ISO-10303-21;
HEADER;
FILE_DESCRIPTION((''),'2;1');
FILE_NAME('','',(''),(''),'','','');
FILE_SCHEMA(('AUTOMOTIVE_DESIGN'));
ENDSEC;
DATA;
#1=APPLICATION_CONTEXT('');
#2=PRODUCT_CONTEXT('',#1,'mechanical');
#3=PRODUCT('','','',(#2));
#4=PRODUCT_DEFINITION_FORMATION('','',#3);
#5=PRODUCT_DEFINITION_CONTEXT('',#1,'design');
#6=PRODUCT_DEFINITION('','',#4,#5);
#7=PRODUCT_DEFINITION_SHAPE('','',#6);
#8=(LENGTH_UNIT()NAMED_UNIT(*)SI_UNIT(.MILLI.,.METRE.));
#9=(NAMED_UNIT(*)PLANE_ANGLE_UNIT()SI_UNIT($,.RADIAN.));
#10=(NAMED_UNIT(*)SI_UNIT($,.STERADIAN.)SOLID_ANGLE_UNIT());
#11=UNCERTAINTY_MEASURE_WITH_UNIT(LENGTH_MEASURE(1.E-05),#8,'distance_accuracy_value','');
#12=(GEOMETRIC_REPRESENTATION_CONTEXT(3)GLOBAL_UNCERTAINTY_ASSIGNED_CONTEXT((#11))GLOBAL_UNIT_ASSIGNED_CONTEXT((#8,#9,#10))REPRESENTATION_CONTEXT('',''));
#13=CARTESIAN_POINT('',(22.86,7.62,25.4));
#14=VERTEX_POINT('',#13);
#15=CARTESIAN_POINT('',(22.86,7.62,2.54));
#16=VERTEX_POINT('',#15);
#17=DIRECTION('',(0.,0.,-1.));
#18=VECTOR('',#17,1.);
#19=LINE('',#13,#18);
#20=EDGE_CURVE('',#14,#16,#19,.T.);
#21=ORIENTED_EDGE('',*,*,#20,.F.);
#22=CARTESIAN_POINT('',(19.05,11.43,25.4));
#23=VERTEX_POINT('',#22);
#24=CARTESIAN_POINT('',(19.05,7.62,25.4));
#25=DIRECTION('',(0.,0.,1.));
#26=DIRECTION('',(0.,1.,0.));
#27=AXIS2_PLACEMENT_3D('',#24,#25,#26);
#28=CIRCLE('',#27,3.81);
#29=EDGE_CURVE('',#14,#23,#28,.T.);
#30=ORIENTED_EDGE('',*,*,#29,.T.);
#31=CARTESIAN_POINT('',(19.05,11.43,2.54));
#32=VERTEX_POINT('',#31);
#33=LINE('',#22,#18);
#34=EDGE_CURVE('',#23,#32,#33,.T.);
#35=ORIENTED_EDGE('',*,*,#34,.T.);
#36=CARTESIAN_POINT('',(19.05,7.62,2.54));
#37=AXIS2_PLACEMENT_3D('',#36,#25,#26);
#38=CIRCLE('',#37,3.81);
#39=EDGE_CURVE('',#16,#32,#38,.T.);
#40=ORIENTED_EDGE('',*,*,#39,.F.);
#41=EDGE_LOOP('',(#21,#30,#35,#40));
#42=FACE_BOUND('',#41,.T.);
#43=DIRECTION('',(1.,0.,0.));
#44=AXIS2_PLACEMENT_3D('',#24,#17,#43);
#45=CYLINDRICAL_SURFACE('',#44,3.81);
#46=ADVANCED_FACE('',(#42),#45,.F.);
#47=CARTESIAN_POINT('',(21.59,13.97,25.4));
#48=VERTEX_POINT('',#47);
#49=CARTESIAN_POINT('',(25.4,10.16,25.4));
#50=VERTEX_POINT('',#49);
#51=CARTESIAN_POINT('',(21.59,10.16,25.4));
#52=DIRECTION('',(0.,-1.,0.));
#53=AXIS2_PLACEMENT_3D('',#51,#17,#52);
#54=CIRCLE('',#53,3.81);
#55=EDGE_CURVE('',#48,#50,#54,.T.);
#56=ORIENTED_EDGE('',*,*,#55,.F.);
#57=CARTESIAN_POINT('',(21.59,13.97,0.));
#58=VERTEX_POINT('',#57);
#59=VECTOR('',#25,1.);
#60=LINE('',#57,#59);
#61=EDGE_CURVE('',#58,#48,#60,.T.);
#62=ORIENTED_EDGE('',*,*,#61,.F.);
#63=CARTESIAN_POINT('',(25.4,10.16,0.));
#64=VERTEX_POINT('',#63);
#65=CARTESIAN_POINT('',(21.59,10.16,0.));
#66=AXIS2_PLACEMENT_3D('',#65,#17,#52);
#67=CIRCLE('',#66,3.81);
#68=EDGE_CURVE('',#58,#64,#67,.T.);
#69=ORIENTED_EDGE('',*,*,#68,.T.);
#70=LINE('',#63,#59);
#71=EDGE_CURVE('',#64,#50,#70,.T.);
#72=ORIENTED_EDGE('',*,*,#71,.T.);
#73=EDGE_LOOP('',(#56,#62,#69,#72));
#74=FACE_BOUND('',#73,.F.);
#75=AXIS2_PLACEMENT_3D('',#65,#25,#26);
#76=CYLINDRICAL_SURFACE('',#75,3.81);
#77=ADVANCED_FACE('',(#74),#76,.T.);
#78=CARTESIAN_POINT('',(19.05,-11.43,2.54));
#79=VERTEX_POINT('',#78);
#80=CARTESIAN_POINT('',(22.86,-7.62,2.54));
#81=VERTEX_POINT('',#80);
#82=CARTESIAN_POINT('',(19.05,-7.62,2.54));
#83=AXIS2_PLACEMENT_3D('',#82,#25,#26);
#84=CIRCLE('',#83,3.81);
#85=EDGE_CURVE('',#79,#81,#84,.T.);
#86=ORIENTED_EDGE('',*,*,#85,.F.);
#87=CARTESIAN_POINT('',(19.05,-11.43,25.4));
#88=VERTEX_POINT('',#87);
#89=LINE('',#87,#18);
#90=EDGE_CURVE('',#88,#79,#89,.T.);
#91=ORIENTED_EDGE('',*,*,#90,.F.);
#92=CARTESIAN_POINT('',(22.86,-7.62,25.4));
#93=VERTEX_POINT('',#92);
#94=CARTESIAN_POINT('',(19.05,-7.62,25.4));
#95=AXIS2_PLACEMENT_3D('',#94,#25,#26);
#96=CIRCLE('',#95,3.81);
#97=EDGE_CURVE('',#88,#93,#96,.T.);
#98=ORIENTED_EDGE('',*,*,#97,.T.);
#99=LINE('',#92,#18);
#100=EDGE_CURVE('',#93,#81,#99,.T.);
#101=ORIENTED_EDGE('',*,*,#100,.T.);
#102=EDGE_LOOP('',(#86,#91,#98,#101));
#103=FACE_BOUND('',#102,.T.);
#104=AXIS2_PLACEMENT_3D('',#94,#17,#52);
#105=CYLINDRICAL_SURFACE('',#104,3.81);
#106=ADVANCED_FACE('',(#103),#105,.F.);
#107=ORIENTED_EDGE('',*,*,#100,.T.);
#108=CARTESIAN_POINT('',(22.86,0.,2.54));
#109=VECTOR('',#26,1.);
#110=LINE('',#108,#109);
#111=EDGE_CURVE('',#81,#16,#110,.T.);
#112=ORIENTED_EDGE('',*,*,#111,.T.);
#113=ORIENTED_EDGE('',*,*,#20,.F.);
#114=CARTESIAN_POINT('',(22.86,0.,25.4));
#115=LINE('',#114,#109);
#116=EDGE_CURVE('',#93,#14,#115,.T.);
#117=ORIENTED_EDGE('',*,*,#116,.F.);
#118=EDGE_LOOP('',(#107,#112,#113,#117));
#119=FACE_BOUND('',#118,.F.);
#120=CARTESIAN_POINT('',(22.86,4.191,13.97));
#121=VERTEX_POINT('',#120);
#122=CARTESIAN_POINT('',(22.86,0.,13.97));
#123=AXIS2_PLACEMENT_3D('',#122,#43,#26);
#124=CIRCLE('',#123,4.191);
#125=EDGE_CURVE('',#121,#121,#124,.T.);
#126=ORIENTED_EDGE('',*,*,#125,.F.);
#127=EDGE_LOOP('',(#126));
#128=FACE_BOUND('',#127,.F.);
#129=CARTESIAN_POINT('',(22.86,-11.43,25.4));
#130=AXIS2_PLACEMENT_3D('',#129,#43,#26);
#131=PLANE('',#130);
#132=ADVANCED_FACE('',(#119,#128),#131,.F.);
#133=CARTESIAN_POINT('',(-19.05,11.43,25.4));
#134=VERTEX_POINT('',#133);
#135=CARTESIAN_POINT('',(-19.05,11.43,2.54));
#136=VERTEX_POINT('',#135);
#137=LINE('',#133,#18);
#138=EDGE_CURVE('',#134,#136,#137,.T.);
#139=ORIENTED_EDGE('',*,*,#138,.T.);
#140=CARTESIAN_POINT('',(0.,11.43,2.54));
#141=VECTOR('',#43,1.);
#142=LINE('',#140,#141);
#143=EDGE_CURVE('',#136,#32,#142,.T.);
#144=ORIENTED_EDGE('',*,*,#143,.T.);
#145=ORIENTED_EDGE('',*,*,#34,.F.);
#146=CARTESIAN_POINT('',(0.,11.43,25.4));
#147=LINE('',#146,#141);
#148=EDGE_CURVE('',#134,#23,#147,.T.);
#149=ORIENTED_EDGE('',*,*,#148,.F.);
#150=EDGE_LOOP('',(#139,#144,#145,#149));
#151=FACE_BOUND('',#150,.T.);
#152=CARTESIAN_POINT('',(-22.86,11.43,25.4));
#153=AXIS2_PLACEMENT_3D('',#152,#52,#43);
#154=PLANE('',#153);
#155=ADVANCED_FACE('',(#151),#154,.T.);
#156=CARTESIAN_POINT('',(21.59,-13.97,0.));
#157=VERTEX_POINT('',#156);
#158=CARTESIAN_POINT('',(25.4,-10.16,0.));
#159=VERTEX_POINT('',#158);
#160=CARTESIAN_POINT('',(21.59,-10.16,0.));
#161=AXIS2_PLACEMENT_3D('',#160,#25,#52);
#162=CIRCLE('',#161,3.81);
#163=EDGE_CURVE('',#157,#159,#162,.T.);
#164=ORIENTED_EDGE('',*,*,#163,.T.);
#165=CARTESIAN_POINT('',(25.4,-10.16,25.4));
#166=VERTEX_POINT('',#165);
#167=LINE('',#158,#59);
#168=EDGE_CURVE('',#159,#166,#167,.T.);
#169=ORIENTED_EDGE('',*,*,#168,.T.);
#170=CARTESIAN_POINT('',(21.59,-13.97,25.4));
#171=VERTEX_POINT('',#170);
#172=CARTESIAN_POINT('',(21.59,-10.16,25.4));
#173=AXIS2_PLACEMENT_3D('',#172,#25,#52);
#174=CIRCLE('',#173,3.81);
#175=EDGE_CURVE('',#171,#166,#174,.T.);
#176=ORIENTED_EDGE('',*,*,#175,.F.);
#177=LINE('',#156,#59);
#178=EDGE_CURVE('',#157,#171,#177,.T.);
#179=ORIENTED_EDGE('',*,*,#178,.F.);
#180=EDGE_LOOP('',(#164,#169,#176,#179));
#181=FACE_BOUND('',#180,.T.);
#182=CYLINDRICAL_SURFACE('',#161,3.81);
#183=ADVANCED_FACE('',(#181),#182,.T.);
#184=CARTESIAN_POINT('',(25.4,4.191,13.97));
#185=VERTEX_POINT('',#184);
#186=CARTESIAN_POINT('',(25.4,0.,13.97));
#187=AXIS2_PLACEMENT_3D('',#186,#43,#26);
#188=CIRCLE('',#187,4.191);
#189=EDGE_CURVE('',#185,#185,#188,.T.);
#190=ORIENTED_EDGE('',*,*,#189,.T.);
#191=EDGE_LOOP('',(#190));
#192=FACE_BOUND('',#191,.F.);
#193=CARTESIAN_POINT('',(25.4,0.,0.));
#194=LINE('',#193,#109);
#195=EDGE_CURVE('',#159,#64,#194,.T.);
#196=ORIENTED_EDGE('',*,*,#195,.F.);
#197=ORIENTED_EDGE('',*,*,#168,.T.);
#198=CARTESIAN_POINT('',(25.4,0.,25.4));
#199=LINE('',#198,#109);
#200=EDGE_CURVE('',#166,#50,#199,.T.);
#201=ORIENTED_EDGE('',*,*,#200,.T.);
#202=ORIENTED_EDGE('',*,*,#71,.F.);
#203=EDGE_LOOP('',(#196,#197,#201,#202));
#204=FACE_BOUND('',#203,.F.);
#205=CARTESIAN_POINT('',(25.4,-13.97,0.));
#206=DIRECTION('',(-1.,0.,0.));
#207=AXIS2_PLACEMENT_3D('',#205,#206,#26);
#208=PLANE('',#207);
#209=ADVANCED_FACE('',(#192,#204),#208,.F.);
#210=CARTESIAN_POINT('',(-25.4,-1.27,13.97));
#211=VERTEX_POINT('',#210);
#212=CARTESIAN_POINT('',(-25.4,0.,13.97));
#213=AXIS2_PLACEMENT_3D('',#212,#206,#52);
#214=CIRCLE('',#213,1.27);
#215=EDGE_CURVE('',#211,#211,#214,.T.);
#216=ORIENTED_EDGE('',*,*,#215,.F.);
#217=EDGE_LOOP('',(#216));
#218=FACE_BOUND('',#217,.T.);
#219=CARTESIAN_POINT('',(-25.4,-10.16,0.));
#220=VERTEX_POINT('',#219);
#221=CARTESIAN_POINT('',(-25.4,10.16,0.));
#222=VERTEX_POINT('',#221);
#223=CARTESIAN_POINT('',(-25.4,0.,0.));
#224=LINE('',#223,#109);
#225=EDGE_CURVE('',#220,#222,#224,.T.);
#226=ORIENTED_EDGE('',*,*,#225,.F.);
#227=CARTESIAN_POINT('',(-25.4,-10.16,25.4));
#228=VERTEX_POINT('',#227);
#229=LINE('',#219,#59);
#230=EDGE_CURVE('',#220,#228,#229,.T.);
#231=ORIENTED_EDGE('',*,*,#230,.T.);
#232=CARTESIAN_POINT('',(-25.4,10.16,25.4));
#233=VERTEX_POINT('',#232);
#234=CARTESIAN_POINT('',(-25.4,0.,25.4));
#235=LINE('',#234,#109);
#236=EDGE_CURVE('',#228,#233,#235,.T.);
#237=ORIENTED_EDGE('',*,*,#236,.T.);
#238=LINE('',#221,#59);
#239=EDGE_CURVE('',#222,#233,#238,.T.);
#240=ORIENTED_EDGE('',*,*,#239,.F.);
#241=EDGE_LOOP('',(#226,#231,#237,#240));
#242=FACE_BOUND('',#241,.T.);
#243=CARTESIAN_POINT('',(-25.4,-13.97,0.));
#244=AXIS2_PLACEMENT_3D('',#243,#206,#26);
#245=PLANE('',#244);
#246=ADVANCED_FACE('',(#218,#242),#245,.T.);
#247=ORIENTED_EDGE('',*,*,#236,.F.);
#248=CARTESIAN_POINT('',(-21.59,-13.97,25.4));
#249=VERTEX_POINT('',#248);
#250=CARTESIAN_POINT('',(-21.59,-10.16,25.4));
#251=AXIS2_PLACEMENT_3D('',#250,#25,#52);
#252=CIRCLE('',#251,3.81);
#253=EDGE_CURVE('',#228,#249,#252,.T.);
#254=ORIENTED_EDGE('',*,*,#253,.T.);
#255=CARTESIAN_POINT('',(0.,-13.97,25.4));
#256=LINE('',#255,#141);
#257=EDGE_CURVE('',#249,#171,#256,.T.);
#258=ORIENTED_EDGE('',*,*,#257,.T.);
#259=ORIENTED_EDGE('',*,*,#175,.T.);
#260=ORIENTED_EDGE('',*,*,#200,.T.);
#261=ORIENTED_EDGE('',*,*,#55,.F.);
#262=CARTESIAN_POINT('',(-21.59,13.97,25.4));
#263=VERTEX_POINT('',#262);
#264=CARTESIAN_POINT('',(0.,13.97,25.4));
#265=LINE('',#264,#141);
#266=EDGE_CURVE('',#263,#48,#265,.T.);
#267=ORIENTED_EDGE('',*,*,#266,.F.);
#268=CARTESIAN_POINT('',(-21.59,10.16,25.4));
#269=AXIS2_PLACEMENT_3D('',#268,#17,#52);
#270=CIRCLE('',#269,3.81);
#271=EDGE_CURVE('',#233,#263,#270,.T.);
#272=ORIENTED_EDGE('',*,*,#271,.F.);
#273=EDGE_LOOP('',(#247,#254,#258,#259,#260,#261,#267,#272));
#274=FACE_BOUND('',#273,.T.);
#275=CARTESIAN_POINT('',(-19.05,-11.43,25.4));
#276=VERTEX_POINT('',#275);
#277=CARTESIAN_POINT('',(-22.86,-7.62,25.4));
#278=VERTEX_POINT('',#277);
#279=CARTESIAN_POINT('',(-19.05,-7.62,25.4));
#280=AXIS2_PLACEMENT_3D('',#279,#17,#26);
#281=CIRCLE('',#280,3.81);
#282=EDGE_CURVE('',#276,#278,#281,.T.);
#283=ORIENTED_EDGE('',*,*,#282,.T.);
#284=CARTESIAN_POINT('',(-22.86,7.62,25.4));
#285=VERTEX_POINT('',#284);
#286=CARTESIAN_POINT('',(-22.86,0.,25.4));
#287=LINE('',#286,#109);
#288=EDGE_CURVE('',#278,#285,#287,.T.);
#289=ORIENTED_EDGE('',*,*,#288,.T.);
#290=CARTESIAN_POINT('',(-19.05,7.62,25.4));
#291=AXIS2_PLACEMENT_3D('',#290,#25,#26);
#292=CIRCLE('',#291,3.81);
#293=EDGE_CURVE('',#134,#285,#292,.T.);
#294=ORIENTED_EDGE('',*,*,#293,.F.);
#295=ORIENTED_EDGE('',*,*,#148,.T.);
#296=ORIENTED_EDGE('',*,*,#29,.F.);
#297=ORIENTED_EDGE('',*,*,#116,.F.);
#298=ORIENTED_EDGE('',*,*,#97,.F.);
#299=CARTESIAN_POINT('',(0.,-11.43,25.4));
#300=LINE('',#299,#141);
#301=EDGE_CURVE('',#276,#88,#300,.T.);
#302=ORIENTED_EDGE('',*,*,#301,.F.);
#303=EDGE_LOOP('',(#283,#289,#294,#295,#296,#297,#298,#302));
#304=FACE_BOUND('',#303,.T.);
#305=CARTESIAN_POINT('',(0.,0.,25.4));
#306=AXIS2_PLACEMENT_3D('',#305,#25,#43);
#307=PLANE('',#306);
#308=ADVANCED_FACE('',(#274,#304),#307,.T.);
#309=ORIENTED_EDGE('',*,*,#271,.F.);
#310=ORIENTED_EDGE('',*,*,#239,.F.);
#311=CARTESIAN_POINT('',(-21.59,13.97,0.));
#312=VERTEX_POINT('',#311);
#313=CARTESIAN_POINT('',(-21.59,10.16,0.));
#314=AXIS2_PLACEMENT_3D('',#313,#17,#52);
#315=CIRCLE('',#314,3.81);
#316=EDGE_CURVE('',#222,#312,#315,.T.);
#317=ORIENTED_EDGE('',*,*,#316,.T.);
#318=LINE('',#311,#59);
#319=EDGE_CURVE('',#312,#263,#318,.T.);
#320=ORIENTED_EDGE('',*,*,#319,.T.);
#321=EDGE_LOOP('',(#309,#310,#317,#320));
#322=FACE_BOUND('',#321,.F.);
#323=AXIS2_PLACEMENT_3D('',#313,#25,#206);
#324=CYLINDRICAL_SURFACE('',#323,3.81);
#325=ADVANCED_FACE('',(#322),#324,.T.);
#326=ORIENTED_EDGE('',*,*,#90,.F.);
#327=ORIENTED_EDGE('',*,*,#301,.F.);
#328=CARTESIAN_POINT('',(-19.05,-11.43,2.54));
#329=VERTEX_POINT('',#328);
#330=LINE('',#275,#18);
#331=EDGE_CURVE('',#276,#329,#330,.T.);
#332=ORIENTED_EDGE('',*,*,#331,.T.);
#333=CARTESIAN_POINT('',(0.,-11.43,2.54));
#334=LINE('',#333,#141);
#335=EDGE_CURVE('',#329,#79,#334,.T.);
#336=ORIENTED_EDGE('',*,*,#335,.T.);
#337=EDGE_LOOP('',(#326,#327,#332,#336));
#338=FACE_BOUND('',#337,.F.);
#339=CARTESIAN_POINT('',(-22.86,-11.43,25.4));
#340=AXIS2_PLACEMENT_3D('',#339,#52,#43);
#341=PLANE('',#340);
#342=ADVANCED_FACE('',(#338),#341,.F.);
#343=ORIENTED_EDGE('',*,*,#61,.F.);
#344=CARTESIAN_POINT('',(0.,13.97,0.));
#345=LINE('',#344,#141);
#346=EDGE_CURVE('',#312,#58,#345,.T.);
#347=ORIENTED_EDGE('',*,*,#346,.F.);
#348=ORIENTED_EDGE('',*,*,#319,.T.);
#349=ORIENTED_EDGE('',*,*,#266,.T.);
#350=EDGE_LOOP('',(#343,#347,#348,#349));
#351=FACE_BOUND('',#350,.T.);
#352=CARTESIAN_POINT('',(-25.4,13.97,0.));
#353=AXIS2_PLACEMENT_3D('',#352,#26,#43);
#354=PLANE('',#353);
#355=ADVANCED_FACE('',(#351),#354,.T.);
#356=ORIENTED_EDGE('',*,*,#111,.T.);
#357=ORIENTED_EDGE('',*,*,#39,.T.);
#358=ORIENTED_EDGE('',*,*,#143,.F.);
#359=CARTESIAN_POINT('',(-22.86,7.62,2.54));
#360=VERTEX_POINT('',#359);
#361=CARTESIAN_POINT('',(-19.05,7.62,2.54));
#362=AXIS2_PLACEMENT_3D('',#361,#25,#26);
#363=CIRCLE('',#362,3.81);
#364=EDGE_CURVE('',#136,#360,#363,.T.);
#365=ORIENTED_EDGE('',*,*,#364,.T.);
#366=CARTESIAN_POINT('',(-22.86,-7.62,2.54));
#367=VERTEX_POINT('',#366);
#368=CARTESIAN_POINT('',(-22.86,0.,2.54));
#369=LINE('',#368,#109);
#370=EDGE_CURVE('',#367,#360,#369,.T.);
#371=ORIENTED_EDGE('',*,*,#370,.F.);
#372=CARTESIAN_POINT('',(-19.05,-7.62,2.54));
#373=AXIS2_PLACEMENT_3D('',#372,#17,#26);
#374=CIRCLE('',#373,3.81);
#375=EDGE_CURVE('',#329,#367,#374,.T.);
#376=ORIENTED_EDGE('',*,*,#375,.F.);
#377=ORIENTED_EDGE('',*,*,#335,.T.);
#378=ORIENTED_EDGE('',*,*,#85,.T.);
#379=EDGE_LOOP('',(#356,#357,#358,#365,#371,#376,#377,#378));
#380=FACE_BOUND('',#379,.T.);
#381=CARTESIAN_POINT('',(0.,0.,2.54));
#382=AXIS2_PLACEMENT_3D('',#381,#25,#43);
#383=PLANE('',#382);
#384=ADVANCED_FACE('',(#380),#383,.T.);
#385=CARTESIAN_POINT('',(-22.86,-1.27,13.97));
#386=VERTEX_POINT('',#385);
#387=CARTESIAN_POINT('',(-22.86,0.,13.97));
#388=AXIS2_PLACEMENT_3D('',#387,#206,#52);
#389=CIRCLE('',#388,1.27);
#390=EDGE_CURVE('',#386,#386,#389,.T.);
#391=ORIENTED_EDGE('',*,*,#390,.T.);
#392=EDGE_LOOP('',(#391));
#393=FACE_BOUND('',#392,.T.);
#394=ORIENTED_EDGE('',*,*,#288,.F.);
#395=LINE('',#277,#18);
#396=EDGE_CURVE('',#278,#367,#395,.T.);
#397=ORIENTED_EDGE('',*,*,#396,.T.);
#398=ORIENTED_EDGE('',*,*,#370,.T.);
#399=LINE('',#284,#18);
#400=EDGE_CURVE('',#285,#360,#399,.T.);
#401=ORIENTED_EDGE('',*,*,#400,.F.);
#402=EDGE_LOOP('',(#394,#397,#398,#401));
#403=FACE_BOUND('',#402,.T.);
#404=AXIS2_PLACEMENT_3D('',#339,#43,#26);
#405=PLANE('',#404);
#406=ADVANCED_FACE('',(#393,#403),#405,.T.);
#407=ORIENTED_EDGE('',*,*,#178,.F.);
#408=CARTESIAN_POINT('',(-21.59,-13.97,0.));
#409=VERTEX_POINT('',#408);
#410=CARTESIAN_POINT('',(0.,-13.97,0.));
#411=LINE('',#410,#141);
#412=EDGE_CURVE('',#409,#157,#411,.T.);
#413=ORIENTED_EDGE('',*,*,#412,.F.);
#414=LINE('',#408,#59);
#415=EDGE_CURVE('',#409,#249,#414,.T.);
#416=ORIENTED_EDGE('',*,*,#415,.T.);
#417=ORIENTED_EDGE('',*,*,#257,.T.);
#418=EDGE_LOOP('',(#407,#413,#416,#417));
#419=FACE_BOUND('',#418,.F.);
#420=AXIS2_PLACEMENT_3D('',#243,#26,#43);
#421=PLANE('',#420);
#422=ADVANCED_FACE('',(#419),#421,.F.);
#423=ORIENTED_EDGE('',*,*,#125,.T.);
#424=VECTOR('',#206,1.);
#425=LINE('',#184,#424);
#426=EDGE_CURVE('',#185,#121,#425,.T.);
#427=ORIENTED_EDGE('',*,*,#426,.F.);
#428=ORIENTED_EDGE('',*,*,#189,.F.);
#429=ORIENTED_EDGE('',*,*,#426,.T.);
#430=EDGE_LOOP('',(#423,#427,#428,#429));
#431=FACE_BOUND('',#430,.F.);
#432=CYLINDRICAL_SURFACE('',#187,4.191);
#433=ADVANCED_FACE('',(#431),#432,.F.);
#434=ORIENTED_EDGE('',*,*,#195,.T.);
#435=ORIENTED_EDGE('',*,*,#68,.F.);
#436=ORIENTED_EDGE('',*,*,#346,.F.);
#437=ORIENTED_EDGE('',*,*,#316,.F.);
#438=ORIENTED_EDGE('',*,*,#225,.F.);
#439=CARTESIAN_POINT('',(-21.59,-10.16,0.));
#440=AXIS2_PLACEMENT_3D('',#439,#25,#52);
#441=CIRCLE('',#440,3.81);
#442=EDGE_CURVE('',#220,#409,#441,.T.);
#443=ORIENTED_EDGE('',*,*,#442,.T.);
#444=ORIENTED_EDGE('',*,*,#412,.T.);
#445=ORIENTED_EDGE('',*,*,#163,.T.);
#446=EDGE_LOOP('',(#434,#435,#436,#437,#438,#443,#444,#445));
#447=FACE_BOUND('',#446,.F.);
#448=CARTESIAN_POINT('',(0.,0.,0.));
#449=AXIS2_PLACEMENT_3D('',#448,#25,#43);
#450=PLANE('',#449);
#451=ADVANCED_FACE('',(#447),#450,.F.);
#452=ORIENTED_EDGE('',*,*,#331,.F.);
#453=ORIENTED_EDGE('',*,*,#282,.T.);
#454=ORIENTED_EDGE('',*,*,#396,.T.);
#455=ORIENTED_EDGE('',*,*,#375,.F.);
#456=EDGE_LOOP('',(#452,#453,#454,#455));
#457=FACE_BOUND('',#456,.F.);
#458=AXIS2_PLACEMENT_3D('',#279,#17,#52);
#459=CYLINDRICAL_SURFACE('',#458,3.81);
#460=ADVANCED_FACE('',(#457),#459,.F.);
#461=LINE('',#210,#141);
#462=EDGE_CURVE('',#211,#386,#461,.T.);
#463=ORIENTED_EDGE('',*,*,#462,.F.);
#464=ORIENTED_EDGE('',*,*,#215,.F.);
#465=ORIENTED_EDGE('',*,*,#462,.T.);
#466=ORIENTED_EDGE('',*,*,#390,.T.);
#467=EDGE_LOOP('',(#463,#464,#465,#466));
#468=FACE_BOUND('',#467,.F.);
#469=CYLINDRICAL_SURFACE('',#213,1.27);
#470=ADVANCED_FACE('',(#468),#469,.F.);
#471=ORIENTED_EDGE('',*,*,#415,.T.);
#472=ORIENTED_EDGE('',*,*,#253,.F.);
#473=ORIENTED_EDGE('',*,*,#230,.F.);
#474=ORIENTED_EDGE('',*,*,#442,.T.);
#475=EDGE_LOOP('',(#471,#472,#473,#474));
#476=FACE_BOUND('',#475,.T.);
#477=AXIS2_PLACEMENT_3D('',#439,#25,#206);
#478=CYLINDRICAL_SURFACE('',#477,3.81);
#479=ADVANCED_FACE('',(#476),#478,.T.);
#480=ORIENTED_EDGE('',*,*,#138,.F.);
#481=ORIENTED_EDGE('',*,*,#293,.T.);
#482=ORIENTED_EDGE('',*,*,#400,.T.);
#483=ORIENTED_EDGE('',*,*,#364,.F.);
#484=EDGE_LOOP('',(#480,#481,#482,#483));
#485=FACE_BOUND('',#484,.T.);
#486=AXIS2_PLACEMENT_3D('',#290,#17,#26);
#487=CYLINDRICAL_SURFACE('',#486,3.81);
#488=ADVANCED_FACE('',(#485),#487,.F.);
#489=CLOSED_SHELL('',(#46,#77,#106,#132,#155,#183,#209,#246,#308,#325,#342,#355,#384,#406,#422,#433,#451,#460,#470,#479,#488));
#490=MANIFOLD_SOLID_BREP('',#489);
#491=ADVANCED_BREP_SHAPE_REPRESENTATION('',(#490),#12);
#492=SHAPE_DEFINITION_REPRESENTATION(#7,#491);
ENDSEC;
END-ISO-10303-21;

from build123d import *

# Parameters (mm, degrees)
F0_W     = 50.8
F0_H     = 27.94
F1_DEPTH = 25.4
F2_W     = 45.72
F2_H     = 22.86
F3_DEPTH = 22.86
F4_R     = 3.81
F5_R     = 4.191
F6_DEPTH = 2.54
F7_R     = 1.27
F8_DEPTH = 2.54


with BuildPart() as f1:
    # F0 (on Top) → F1 (new body)
    with BuildSketch(Plane.XY):
        Rectangle(F0_W, F0_H)
    extrude(amount=F1_DEPTH)

    # F2 (on face) → F3 (cut)
    with BuildSketch(Plane.XY.offset(25.4)):
        Rectangle(F2_W, F2_H)
    extrude(amount=-F3_DEPTH, mode=Mode.SUBTRACT)

    # F4
    f4_edges = [f1.edges().sort_by_distance(p)[0] for p in [
        (-25.4, -13.97, 12.7),
        (25.4, -13.97, 12.7),
        (25.4, 13.97, 12.7),
        (-25.4, 13.97, 12.7),
        (-22.86, -11.43, 13.97),
        (-22.86, 11.43, 13.97),
        (22.86, 11.43, 13.97),
        (22.86, -11.43, 13.97),
    ]]
    fillet(f4_edges, radius=F4_R)

    # F5 (on face) → F6 (cut, through all)
    with BuildSketch(Plane.YZ.offset(25.4)):
        with Locations((0, 13.97)):
            Circle(F5_R)
    extrude(amount=-F6_DEPTH, mode=Mode.SUBTRACT)

    # F7 (on face) → F8 (cut, through all)
    with BuildSketch(Plane(origin=(-25.4, 0, 0), x_dir=(0, -1, 0), z_dir=(-1, 0, 0))):
        with Locations((0, 13.97)):
            Circle(F7_R)
    extrude(amount=-F8_DEPTH, mode=Mode.SUBTRACT)


solid = f1.part
